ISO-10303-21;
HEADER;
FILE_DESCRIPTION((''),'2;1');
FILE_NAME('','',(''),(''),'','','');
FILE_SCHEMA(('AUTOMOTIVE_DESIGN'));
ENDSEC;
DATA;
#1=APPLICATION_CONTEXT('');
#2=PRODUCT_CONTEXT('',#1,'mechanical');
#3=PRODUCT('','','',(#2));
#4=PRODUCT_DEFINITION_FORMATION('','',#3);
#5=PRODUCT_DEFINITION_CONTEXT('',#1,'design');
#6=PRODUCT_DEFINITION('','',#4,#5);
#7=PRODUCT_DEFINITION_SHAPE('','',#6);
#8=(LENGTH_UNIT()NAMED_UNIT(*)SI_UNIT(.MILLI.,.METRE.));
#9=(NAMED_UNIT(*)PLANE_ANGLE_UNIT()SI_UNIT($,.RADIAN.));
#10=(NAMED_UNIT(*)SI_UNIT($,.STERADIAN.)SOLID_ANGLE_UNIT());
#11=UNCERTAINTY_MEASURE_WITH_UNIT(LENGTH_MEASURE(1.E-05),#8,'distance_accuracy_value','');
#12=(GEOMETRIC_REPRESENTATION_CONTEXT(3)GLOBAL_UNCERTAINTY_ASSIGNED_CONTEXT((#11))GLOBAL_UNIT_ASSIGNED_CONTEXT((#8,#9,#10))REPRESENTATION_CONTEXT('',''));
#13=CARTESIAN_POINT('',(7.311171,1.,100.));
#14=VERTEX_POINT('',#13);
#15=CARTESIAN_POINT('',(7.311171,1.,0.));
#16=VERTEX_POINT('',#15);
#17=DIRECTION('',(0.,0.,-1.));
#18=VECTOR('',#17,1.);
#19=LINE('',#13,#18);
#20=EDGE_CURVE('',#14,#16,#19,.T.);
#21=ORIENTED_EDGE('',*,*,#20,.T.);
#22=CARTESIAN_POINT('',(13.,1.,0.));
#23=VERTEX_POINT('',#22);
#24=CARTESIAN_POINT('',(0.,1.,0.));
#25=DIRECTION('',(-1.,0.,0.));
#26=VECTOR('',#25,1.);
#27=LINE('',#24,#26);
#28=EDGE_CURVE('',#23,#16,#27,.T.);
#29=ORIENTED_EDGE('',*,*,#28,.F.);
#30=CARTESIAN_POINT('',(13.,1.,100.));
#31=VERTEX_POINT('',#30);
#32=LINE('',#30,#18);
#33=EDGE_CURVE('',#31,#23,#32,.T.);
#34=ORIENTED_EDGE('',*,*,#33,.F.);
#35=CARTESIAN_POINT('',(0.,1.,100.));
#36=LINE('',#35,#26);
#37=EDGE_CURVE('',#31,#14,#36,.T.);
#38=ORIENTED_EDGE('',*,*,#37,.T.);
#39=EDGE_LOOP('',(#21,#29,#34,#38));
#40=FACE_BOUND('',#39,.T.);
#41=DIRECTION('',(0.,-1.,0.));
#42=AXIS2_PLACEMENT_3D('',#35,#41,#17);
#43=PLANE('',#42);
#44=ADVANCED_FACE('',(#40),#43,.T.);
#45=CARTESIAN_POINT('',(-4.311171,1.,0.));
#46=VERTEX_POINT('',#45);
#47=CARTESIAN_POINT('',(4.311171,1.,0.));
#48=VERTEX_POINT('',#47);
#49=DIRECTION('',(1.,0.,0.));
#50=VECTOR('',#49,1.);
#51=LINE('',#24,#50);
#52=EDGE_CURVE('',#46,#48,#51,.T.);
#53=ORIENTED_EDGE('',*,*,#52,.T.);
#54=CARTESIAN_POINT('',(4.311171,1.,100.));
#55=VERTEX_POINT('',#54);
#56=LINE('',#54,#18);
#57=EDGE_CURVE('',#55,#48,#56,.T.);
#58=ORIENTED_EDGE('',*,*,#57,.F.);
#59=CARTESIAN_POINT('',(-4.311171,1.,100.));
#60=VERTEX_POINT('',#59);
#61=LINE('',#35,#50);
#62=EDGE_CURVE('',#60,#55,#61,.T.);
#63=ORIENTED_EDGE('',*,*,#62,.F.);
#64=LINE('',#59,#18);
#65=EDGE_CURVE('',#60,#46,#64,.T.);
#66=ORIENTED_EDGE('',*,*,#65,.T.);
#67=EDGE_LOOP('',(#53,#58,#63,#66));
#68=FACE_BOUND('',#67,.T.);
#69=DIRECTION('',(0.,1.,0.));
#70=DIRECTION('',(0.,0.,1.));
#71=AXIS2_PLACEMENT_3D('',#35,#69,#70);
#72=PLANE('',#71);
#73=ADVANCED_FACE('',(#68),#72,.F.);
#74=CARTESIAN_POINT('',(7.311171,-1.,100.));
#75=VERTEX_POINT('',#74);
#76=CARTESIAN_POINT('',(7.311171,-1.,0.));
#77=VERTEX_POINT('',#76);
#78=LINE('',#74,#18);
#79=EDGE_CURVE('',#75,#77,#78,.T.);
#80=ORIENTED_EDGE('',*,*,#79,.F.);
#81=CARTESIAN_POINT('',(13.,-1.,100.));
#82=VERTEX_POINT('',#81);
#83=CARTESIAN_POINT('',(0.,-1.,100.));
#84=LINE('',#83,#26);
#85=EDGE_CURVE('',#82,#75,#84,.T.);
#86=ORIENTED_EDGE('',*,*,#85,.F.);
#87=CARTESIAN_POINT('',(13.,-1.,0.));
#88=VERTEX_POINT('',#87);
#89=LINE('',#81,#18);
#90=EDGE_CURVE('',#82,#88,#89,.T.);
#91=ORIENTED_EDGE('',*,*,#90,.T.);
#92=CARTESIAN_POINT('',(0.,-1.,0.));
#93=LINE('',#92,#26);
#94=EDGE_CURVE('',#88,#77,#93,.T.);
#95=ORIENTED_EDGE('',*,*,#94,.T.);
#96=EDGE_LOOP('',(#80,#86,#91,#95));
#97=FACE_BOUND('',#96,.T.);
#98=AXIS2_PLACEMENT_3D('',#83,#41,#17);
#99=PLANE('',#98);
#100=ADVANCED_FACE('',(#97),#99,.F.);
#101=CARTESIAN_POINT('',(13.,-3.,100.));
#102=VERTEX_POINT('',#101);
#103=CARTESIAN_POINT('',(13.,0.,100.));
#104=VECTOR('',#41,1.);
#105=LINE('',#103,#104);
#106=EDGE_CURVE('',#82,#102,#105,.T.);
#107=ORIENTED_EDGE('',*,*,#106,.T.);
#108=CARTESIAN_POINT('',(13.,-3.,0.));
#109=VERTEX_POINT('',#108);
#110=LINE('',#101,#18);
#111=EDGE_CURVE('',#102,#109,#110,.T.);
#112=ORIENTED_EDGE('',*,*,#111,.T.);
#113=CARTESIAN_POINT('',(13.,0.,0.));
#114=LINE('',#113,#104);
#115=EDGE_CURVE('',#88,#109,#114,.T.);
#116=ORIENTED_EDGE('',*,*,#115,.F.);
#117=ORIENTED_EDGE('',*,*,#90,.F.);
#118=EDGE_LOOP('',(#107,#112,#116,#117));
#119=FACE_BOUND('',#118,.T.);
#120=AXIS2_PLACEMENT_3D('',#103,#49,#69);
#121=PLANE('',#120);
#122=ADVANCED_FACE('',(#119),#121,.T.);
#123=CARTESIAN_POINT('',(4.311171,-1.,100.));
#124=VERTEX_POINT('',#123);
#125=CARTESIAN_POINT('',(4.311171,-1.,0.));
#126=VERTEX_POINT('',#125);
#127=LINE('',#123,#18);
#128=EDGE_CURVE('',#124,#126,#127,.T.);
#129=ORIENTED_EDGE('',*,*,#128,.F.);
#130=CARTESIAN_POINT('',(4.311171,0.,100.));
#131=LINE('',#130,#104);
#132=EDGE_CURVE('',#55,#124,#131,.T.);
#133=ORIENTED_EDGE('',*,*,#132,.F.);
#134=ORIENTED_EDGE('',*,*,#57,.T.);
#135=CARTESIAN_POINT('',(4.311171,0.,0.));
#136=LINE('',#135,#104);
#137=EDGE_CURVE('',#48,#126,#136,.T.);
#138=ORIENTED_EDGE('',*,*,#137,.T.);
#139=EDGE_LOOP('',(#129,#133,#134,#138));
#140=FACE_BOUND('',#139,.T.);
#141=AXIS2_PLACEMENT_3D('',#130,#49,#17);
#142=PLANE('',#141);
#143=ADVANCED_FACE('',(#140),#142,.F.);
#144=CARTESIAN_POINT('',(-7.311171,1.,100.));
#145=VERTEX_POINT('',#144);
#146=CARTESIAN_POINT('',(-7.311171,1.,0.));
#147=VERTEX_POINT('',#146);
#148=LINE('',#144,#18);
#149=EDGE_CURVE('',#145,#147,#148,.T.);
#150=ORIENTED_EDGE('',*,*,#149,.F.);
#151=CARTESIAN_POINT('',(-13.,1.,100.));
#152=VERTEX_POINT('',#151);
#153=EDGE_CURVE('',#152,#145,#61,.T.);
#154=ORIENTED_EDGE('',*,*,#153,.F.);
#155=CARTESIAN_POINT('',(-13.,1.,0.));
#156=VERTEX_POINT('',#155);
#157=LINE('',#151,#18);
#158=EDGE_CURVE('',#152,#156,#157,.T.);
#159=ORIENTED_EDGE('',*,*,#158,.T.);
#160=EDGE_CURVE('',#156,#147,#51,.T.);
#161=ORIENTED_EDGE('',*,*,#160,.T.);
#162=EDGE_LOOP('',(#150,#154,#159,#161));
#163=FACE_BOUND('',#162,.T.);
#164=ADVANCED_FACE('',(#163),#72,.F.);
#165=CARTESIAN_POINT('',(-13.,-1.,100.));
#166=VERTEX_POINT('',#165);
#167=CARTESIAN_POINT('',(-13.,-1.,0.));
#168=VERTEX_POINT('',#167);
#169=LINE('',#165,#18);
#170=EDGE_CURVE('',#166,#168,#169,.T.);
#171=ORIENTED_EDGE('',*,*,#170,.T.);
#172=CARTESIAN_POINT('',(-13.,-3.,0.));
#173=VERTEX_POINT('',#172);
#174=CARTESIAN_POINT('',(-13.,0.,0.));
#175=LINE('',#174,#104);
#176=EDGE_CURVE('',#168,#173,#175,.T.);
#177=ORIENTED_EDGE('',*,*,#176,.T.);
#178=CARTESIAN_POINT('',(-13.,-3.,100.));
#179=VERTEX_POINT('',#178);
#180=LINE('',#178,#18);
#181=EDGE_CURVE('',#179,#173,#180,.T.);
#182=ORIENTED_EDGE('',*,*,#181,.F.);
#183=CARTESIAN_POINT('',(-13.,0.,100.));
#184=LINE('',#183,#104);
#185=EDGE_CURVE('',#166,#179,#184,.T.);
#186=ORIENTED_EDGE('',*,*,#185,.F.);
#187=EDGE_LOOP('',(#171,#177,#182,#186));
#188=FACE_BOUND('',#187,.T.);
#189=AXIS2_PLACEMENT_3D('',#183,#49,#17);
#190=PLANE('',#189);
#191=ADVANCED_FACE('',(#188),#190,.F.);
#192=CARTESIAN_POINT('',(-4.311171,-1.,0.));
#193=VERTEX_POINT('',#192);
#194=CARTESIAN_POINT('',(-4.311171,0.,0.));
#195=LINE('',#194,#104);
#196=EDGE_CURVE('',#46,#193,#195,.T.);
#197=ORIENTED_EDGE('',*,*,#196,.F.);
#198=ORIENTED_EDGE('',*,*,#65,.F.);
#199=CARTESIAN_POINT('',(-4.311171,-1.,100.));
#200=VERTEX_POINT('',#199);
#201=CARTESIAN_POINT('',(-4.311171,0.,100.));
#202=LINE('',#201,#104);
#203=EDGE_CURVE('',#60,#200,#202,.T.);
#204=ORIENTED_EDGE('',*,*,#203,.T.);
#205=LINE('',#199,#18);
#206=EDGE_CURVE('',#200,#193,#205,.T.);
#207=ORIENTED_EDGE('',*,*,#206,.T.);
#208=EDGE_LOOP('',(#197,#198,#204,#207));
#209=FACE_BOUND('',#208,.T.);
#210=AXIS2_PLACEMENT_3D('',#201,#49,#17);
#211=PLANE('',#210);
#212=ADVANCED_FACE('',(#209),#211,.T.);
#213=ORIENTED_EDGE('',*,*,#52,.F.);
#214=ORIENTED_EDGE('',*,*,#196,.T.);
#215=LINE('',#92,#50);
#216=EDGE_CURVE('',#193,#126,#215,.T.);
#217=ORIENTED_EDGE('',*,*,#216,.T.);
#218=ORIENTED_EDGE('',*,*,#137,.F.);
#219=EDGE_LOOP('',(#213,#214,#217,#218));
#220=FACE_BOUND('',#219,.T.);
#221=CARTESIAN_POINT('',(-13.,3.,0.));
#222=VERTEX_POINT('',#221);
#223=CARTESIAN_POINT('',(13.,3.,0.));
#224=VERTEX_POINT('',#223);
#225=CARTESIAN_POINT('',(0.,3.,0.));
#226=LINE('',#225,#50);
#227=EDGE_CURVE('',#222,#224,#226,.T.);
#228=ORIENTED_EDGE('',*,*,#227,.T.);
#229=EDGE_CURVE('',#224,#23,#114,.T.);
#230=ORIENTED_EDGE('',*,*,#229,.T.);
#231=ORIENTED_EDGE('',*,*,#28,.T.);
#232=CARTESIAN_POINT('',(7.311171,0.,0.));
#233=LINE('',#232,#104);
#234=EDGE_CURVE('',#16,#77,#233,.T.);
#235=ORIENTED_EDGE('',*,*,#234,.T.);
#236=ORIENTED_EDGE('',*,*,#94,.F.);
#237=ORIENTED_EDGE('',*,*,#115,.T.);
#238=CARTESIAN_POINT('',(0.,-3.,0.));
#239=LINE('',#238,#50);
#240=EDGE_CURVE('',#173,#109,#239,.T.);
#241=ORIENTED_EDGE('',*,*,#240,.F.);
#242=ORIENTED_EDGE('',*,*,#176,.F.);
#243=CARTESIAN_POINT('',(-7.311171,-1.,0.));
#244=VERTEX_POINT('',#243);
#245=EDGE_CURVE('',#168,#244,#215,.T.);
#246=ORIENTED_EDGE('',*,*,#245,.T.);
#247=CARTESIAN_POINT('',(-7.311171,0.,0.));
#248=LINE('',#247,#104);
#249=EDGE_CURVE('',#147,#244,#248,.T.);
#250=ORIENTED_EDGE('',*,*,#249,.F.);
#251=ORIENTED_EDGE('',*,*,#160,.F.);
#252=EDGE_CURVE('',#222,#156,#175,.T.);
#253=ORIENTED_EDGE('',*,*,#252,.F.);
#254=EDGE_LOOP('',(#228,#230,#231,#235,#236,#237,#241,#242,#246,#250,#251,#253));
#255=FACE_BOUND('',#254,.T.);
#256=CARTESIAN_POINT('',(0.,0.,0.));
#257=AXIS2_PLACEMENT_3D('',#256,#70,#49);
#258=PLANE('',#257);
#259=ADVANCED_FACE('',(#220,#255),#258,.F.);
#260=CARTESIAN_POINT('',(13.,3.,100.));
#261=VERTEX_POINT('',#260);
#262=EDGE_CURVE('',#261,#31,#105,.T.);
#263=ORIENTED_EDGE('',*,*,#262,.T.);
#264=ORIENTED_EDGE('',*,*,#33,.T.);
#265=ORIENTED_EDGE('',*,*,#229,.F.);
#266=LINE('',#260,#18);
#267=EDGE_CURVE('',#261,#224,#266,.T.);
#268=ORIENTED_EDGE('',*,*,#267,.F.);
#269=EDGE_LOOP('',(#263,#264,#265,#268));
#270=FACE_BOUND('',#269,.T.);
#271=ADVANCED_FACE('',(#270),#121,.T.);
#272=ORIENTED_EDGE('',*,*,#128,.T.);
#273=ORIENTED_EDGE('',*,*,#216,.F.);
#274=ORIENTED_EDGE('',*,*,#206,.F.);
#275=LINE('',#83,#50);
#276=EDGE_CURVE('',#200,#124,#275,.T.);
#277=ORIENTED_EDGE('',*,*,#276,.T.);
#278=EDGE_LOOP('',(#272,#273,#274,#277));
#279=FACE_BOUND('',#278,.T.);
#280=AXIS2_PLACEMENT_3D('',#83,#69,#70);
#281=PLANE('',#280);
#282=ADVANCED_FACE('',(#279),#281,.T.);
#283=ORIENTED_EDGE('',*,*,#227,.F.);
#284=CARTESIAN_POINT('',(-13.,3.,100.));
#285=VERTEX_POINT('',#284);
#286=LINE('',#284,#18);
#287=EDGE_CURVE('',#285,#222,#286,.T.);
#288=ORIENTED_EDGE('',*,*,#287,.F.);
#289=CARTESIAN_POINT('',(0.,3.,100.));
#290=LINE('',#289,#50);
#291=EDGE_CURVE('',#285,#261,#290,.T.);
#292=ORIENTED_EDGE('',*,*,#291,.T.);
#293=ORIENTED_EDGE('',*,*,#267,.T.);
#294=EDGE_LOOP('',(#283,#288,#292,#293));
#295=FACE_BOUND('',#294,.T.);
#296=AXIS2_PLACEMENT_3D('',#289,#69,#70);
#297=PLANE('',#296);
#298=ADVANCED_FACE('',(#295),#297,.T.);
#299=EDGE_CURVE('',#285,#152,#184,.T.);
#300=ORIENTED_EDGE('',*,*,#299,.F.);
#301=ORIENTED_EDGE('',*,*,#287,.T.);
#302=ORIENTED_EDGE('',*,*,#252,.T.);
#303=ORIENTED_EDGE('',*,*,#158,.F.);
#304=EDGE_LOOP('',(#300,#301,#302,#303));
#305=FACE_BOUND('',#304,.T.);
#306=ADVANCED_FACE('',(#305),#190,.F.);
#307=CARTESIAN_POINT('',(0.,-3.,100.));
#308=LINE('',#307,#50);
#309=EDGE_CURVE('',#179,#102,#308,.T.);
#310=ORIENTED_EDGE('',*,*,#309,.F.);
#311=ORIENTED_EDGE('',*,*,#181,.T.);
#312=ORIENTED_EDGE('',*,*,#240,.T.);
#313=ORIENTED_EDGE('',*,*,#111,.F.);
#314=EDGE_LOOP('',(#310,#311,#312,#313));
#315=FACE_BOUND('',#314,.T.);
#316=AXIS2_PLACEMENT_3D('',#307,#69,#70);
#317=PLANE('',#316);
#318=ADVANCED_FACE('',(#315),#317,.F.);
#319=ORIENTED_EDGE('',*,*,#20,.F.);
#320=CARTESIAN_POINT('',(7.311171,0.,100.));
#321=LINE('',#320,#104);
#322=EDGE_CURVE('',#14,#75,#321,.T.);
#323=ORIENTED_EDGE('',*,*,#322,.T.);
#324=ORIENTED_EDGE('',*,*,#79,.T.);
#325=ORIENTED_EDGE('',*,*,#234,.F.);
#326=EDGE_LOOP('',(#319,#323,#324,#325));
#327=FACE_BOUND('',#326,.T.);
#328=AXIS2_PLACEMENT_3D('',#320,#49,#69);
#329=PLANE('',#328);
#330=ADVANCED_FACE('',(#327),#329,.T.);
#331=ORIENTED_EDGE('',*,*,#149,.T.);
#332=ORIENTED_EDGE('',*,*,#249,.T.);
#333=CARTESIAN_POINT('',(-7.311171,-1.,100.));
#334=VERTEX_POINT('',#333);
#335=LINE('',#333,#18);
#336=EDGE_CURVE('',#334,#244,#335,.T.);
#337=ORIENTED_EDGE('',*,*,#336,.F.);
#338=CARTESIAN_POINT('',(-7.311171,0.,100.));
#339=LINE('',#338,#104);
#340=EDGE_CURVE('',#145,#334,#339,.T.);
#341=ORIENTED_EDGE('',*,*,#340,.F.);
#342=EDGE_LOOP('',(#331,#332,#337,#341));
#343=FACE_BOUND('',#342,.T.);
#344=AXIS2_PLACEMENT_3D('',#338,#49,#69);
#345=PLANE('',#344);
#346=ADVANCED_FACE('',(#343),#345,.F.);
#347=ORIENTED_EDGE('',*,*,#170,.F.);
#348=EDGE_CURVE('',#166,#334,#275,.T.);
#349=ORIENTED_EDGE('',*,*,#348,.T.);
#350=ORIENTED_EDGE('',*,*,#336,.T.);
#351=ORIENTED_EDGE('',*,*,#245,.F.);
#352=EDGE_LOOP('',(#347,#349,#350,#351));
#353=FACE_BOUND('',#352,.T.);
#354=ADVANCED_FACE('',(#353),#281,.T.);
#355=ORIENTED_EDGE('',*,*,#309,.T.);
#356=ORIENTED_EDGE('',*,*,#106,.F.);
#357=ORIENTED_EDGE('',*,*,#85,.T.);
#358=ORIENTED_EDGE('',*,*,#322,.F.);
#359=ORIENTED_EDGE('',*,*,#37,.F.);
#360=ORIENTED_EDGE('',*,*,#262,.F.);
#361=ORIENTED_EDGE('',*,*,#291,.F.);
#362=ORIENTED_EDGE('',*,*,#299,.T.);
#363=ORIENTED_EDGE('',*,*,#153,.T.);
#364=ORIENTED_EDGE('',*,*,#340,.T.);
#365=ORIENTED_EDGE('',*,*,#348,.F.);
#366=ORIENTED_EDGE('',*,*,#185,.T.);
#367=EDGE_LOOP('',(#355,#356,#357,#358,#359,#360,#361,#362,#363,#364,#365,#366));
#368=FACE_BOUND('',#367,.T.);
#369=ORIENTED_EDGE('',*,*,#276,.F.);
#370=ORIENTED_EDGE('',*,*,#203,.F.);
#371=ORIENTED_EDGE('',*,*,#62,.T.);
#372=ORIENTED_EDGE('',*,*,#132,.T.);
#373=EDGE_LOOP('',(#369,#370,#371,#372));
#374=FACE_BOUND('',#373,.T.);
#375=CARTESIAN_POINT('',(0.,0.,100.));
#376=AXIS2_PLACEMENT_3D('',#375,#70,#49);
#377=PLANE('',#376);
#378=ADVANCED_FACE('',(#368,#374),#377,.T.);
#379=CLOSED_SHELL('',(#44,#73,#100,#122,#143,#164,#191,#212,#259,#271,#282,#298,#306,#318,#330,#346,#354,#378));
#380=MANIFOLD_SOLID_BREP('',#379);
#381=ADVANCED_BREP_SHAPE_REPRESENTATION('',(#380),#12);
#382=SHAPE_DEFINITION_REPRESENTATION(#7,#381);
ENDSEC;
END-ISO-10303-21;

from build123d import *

# Parameters (mm, degrees)
SKETCH2_W           = 8.622341868
SKETCH2_H           = 2
BOSS_EXTRUDE1_DEPTH = 100


with BuildPart() as part:
    # Sketch2 → Boss-Extrude1 (new body)
    with BuildSketch(Plane.XY):
        Polygon((13, 3), (-13, 3), (-13, 1), (-7.311170934, 1), (-7.311170934, -1), (-13, -1), (-13, -3), (13, -3), (13, -1), (7.311170934, -1), (7.311170934, 1), (13, 1), align=None)
        Rectangle(SKETCH2_W, SKETCH2_H, mode=Mode.SUBTRACT)
    extrude(amount=BOSS_EXTRUDE1_DEPTH)


solid = part.part
